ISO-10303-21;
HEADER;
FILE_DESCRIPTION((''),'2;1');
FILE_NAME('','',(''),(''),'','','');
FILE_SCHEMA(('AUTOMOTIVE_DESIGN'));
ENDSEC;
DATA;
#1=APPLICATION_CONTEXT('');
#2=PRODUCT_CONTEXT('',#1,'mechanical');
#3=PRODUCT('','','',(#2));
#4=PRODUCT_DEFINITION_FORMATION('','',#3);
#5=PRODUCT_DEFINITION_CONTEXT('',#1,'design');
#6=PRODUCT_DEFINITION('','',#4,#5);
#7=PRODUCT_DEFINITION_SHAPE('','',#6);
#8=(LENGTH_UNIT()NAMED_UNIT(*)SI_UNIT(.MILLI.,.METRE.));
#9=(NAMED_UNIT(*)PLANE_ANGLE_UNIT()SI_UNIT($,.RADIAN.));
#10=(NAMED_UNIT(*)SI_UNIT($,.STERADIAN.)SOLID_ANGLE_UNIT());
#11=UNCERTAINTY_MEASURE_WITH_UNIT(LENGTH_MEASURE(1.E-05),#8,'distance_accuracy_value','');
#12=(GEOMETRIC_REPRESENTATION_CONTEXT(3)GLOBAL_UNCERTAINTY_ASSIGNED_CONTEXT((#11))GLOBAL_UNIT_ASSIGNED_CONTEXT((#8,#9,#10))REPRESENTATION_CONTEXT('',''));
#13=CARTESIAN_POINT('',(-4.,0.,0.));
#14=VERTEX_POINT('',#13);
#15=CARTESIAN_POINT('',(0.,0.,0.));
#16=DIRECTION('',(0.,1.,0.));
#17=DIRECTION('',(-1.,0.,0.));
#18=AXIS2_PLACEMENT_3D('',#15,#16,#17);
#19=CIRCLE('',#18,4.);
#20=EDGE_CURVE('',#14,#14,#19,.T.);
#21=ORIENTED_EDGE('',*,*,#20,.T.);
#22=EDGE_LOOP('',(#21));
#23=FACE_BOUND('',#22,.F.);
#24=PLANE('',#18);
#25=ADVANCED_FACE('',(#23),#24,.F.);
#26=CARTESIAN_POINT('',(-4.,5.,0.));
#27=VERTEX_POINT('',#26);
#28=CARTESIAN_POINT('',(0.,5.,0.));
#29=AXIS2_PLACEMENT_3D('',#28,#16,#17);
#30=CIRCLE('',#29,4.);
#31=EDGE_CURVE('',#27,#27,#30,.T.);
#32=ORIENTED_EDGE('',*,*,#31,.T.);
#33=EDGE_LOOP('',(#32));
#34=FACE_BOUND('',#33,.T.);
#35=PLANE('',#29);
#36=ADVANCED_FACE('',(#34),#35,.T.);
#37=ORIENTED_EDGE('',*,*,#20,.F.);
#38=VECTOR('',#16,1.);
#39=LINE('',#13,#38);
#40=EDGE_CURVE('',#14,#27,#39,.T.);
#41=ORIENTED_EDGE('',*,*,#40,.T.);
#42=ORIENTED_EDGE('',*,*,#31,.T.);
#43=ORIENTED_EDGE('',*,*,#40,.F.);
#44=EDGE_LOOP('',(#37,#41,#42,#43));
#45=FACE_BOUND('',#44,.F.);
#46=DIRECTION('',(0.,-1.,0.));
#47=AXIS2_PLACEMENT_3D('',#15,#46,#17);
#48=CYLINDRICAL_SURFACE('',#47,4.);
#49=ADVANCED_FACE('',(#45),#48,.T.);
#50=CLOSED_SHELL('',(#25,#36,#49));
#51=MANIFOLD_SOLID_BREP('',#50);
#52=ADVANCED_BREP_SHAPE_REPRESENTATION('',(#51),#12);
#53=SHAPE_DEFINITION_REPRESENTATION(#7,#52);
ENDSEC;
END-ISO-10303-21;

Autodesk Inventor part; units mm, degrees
ref_plane "YZ Plane" through (0, 0, 0) normal (1, 0, 0) x (0, 1, 0)
ref_plane "XZ Plane" through (0, 0, 0) normal (0, 1, 0) x (-1, 0, 0)
ref_plane "XY Plane" through (0, 0, 0) normal (0, 0, 1) x (1, 0, 0)
sketch "Sketch1" plane through (0, 0, 0) normal (0, 1, 0) x (-1, 0, 0)
  circle A0 centre (0, 0) radius 4
  dimension "d0" = 8
extrude "Extrusion1" add sketch "Sketch1" along normal blind 5
properties part number "Dowel"
